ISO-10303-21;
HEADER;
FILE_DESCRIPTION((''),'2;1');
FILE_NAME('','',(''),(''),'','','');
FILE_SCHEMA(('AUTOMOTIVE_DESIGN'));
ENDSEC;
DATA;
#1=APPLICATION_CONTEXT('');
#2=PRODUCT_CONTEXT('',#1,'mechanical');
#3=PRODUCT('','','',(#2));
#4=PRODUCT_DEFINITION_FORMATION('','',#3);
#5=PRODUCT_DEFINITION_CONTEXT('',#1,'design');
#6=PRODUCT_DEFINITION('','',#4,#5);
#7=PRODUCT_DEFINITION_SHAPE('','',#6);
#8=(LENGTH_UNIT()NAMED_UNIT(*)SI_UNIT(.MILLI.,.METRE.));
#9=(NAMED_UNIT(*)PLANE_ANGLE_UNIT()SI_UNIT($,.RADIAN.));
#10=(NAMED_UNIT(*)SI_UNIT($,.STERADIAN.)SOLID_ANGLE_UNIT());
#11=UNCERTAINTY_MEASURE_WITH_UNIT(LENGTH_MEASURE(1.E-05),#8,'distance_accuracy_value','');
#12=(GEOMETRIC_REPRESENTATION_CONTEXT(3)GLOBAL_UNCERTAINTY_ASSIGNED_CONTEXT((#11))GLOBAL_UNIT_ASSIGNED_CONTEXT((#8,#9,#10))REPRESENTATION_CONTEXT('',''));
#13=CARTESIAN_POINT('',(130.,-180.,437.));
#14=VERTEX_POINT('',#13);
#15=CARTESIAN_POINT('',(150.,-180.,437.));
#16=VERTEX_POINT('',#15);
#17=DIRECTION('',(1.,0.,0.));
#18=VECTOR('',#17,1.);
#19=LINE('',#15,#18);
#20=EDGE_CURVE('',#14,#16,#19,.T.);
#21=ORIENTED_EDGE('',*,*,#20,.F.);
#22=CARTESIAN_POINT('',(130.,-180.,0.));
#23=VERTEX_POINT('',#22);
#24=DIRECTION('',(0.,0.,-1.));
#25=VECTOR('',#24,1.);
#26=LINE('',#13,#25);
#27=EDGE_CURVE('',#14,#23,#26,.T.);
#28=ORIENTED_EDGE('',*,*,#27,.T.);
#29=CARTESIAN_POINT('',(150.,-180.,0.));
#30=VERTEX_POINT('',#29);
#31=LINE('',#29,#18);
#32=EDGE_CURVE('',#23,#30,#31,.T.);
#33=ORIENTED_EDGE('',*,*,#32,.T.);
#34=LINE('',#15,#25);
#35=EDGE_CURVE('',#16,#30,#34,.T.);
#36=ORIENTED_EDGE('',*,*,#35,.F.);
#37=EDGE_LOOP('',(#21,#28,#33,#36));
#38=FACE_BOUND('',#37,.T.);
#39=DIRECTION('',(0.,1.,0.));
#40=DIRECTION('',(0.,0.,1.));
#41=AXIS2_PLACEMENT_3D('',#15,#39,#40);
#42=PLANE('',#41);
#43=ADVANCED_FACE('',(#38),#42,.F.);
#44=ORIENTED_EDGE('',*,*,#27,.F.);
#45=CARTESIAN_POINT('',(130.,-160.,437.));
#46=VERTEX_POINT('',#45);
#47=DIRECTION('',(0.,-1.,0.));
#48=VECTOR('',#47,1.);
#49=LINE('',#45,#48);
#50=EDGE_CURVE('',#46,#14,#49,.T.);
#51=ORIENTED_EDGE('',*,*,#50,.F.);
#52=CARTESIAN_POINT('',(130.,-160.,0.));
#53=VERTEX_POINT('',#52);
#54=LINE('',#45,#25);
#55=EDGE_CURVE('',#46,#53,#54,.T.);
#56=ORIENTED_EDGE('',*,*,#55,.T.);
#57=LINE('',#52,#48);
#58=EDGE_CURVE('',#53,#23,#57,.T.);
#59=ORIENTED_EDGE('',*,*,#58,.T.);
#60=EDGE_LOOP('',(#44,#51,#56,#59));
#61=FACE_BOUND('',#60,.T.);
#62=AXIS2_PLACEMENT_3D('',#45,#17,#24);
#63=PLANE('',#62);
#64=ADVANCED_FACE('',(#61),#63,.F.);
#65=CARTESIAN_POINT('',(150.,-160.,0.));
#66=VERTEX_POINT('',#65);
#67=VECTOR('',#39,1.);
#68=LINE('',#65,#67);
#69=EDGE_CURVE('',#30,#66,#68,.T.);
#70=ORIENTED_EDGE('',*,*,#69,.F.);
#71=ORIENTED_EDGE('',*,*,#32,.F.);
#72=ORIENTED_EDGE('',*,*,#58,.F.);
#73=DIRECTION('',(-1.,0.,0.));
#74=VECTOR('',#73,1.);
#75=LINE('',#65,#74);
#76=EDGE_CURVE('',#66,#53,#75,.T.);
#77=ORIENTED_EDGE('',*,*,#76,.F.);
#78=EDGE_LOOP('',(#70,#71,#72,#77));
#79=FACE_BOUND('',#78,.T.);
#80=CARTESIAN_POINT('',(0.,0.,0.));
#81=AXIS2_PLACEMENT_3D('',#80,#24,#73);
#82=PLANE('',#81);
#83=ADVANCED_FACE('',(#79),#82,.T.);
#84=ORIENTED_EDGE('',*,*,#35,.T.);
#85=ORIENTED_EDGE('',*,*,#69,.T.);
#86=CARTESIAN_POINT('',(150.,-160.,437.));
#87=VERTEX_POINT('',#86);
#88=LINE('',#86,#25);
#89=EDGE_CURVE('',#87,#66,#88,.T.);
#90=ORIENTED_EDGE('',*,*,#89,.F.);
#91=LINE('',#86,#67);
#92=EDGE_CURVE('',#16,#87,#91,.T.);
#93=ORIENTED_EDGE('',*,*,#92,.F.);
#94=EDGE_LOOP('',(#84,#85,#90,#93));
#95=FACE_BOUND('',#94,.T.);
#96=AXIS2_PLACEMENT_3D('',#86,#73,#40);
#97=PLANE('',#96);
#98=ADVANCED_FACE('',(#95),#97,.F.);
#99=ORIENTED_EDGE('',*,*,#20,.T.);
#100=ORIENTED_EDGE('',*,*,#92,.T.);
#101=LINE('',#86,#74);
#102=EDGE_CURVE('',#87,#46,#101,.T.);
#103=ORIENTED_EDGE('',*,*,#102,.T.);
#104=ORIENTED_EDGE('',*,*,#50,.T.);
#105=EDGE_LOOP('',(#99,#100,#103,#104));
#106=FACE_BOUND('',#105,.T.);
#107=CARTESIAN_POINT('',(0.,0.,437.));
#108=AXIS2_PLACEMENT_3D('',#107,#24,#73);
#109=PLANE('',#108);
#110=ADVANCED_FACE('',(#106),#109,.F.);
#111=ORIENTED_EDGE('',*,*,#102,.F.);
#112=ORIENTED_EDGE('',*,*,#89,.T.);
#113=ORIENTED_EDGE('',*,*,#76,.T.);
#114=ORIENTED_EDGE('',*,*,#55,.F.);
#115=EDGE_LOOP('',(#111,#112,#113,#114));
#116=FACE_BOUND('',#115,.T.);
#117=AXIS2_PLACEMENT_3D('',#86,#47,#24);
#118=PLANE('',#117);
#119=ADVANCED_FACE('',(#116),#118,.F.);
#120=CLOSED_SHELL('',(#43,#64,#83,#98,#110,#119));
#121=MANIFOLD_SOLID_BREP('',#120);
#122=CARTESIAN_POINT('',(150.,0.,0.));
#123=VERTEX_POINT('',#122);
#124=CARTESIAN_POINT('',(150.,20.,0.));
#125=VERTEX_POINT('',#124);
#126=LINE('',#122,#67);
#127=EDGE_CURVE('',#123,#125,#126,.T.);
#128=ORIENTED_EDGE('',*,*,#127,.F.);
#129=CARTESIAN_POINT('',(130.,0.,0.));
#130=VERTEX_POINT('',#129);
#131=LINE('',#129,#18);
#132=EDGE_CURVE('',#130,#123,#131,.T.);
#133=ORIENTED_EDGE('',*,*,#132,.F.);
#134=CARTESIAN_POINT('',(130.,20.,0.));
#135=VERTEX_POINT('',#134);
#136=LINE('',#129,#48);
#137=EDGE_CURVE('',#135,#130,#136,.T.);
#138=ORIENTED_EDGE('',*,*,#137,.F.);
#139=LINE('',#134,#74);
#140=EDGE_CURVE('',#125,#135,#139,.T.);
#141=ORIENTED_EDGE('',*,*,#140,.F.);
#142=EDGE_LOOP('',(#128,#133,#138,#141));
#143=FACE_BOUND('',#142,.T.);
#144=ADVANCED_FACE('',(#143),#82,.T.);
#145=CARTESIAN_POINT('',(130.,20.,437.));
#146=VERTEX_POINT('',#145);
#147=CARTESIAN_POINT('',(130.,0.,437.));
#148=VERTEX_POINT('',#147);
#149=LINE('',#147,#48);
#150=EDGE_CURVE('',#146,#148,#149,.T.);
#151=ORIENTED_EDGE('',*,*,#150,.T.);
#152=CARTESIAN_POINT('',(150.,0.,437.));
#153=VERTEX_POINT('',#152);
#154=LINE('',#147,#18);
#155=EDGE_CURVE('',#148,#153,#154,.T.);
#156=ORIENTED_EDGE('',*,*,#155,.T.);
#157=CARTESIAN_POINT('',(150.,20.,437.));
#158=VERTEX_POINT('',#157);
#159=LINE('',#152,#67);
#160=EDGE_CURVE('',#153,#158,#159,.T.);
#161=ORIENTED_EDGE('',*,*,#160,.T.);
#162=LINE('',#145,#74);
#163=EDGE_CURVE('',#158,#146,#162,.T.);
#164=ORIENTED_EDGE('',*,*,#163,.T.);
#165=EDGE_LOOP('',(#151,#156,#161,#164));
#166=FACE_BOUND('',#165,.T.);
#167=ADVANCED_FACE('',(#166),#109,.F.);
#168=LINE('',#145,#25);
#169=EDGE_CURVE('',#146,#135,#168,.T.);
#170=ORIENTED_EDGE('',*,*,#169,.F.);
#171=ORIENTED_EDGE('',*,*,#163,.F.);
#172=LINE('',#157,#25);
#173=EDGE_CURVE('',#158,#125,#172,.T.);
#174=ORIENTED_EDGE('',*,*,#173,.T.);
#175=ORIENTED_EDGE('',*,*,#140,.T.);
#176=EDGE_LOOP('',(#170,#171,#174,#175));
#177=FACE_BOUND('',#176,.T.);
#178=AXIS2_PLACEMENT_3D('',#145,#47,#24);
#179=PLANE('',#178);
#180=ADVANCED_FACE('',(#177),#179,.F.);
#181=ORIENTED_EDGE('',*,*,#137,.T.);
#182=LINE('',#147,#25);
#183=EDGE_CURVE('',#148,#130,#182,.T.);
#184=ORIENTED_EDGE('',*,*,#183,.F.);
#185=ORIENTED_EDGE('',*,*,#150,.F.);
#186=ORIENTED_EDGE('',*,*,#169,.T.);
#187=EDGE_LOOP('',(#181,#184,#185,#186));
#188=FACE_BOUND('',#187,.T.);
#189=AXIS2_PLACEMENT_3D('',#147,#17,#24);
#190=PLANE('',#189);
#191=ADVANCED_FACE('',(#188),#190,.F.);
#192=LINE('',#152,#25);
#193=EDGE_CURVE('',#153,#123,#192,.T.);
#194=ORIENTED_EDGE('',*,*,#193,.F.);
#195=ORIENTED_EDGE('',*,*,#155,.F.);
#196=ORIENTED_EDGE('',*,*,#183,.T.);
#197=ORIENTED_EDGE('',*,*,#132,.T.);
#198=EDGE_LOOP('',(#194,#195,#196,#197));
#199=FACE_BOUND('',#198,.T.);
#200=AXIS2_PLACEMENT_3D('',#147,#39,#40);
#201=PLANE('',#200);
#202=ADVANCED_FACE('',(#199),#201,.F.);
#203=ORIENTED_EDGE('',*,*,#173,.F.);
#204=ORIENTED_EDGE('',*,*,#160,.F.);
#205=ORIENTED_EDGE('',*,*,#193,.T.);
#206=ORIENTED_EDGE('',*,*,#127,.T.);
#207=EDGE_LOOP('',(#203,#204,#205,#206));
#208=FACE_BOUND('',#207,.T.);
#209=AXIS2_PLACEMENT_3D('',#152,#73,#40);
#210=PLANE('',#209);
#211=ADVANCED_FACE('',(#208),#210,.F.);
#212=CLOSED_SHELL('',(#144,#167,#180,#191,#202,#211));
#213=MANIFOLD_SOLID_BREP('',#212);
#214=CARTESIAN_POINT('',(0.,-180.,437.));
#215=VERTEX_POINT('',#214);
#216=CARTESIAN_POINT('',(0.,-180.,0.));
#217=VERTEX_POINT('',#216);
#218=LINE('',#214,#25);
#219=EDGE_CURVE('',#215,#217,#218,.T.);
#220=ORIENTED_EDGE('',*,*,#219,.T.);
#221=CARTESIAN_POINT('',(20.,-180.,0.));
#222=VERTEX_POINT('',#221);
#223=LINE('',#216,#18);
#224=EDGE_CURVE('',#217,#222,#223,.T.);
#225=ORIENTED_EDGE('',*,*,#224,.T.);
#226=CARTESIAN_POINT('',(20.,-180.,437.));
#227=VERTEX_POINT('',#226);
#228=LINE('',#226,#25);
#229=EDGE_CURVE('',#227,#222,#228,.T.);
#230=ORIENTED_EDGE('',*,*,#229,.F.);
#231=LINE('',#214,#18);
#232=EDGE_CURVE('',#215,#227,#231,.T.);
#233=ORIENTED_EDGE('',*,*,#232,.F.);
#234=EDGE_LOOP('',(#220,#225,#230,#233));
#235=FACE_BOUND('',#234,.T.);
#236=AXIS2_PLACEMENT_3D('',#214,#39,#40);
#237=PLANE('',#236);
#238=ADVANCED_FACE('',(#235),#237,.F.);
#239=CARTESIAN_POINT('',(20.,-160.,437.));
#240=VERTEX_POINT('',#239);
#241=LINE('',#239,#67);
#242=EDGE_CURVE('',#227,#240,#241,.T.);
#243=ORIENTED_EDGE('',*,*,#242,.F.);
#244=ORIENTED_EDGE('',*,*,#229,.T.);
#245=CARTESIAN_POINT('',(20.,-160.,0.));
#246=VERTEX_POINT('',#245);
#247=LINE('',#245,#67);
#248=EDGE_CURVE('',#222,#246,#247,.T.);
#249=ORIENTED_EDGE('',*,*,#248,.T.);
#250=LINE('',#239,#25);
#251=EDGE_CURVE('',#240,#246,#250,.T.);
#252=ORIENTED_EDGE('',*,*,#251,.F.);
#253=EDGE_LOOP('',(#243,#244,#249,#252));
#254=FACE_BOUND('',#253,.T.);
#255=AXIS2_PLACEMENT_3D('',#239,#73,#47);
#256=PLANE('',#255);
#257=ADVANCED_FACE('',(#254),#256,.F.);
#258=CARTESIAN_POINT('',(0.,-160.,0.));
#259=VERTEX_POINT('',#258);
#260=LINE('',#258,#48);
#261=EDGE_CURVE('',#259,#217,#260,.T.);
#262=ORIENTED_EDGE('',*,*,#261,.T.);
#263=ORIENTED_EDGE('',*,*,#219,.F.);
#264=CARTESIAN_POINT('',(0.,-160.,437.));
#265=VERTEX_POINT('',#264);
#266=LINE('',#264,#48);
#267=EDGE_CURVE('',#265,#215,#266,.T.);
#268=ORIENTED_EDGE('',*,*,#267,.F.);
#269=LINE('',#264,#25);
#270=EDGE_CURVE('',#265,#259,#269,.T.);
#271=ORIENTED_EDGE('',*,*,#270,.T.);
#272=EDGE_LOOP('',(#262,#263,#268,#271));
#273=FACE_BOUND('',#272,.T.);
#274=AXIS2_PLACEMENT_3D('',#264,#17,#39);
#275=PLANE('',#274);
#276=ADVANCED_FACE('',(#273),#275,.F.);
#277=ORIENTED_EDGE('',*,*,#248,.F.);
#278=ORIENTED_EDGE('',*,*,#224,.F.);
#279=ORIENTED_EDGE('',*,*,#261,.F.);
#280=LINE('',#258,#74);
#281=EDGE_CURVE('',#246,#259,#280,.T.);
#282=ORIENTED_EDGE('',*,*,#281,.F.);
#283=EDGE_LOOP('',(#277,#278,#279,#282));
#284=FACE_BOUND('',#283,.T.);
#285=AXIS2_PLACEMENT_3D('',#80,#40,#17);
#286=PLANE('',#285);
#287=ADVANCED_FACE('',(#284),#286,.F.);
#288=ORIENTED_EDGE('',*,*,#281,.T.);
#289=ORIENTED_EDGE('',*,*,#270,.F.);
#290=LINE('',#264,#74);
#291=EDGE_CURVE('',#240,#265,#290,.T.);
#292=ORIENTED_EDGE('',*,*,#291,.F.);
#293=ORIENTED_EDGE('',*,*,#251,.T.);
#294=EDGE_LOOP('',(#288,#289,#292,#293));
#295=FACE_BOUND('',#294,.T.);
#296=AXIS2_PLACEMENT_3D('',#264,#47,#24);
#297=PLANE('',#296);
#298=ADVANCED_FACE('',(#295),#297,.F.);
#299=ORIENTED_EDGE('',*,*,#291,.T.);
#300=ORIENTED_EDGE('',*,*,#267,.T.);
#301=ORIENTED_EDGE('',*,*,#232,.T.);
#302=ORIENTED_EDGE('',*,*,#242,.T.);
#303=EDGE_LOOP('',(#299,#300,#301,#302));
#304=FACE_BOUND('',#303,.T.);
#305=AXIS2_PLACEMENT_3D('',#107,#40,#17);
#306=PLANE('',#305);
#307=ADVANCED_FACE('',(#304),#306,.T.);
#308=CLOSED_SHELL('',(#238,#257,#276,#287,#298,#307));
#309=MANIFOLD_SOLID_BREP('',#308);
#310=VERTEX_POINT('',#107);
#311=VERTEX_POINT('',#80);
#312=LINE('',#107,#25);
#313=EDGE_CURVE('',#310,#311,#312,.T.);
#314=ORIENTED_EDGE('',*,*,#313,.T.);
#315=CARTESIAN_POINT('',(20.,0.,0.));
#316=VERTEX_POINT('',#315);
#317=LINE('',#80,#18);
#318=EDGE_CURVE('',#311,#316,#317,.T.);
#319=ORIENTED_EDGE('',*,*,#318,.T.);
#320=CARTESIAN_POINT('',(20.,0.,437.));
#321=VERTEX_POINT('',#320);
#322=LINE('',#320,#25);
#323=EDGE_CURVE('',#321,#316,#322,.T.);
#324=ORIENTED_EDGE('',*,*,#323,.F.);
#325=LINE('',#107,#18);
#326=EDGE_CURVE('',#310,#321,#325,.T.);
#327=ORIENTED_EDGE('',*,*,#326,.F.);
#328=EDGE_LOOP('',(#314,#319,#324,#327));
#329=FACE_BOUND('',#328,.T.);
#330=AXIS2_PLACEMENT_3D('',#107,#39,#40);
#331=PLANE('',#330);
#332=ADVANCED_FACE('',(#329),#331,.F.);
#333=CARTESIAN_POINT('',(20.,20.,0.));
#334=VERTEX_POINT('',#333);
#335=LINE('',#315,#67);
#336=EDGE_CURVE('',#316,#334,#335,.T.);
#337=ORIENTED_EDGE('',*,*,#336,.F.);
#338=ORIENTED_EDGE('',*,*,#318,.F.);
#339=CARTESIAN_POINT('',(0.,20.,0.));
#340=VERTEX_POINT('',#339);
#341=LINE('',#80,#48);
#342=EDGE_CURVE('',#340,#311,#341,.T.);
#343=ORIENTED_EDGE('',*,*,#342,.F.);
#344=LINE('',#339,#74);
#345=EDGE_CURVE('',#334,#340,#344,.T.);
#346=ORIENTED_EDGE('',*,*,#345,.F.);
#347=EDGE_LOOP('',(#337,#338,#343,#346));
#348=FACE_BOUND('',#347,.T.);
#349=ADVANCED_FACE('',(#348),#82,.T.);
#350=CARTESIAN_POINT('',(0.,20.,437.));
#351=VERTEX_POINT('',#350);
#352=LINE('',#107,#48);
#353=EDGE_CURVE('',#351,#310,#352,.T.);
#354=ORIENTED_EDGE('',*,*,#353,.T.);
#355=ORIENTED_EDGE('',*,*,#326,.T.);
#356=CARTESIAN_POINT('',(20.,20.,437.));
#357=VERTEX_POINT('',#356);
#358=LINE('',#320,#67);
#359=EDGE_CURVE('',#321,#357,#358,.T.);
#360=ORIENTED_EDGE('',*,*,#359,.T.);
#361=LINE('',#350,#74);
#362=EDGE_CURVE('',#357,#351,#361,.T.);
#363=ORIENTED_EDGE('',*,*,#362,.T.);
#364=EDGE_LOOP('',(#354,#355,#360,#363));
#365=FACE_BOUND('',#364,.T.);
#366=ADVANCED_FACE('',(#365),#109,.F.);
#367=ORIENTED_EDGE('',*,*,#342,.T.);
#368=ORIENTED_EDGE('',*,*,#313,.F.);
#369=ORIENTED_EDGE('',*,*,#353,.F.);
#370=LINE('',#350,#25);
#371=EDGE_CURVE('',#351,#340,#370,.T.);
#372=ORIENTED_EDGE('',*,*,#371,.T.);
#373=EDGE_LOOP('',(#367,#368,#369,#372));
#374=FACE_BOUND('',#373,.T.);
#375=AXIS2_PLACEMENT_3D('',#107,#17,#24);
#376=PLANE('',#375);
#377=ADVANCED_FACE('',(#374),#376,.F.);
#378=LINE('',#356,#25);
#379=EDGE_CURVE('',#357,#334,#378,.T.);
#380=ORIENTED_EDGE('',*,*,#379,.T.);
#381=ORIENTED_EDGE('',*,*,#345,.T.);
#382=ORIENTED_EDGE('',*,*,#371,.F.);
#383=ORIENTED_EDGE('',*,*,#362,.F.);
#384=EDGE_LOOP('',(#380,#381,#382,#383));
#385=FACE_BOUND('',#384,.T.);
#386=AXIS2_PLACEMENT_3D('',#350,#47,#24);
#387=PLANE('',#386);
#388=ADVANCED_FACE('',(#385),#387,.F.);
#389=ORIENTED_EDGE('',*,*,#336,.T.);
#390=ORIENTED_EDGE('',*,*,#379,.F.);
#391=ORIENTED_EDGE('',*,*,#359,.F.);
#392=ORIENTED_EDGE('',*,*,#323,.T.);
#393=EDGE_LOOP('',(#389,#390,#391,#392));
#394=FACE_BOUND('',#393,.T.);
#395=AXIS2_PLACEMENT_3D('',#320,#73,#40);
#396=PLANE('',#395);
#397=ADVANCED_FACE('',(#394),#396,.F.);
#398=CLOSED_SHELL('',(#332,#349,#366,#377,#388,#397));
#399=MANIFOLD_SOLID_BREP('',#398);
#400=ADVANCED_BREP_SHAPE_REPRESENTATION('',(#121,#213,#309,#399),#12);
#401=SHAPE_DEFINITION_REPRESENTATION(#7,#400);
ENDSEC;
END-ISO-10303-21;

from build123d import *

# Parameters (mm, degrees)
SKETCH1_W             = 20
SKETCH1_H             = 20
BOSS_EXTRUDE1_DEPTH   = 437
BOSS_EXTRUDE1_2_DEPTH = 437
BOSS_EXTRUDE1_3_DEPTH = 437
BOSS_EXTRUDE1_4_DEPTH = 437


with BuildPart() as part:
    # Sketch1 → Boss-Extrude1 (new body)
    with BuildSketch(Plane.XY):
        with Locations((10, 10)):
            Rectangle(SKETCH1_W, SKETCH1_H)
    extrude(amount=BOSS_EXTRUDE1_DEPTH)


with BuildPart() as body_2:
    # Sketch1 → Boss-Extrude1 2 (new body)
    with BuildSketch(Plane.XY):
        with Locations((140, 10)):
            Rectangle(SKETCH1_W, SKETCH1_H)
    extrude(amount=BOSS_EXTRUDE1_2_DEPTH)


with BuildPart() as body_3:
    # Sketch1 → Boss-Extrude1 3 (new body)
    with BuildSketch(Plane.XY):
        with Locations((140, -170)):
            Rectangle(SKETCH1_W, SKETCH1_H)
    extrude(amount=BOSS_EXTRUDE1_3_DEPTH)


with BuildPart() as body_4:
    # Sketch1 → Boss-Extrude1 4 (new body)
    with BuildSketch(Plane.XY):
        with Locations((10, -170)):
            Rectangle(SKETCH1_W, SKETCH1_H)
    extrude(amount=BOSS_EXTRUDE1_4_DEPTH)


solid = Compound([part.part, body_2.part, body_3.part, body_4.part])
